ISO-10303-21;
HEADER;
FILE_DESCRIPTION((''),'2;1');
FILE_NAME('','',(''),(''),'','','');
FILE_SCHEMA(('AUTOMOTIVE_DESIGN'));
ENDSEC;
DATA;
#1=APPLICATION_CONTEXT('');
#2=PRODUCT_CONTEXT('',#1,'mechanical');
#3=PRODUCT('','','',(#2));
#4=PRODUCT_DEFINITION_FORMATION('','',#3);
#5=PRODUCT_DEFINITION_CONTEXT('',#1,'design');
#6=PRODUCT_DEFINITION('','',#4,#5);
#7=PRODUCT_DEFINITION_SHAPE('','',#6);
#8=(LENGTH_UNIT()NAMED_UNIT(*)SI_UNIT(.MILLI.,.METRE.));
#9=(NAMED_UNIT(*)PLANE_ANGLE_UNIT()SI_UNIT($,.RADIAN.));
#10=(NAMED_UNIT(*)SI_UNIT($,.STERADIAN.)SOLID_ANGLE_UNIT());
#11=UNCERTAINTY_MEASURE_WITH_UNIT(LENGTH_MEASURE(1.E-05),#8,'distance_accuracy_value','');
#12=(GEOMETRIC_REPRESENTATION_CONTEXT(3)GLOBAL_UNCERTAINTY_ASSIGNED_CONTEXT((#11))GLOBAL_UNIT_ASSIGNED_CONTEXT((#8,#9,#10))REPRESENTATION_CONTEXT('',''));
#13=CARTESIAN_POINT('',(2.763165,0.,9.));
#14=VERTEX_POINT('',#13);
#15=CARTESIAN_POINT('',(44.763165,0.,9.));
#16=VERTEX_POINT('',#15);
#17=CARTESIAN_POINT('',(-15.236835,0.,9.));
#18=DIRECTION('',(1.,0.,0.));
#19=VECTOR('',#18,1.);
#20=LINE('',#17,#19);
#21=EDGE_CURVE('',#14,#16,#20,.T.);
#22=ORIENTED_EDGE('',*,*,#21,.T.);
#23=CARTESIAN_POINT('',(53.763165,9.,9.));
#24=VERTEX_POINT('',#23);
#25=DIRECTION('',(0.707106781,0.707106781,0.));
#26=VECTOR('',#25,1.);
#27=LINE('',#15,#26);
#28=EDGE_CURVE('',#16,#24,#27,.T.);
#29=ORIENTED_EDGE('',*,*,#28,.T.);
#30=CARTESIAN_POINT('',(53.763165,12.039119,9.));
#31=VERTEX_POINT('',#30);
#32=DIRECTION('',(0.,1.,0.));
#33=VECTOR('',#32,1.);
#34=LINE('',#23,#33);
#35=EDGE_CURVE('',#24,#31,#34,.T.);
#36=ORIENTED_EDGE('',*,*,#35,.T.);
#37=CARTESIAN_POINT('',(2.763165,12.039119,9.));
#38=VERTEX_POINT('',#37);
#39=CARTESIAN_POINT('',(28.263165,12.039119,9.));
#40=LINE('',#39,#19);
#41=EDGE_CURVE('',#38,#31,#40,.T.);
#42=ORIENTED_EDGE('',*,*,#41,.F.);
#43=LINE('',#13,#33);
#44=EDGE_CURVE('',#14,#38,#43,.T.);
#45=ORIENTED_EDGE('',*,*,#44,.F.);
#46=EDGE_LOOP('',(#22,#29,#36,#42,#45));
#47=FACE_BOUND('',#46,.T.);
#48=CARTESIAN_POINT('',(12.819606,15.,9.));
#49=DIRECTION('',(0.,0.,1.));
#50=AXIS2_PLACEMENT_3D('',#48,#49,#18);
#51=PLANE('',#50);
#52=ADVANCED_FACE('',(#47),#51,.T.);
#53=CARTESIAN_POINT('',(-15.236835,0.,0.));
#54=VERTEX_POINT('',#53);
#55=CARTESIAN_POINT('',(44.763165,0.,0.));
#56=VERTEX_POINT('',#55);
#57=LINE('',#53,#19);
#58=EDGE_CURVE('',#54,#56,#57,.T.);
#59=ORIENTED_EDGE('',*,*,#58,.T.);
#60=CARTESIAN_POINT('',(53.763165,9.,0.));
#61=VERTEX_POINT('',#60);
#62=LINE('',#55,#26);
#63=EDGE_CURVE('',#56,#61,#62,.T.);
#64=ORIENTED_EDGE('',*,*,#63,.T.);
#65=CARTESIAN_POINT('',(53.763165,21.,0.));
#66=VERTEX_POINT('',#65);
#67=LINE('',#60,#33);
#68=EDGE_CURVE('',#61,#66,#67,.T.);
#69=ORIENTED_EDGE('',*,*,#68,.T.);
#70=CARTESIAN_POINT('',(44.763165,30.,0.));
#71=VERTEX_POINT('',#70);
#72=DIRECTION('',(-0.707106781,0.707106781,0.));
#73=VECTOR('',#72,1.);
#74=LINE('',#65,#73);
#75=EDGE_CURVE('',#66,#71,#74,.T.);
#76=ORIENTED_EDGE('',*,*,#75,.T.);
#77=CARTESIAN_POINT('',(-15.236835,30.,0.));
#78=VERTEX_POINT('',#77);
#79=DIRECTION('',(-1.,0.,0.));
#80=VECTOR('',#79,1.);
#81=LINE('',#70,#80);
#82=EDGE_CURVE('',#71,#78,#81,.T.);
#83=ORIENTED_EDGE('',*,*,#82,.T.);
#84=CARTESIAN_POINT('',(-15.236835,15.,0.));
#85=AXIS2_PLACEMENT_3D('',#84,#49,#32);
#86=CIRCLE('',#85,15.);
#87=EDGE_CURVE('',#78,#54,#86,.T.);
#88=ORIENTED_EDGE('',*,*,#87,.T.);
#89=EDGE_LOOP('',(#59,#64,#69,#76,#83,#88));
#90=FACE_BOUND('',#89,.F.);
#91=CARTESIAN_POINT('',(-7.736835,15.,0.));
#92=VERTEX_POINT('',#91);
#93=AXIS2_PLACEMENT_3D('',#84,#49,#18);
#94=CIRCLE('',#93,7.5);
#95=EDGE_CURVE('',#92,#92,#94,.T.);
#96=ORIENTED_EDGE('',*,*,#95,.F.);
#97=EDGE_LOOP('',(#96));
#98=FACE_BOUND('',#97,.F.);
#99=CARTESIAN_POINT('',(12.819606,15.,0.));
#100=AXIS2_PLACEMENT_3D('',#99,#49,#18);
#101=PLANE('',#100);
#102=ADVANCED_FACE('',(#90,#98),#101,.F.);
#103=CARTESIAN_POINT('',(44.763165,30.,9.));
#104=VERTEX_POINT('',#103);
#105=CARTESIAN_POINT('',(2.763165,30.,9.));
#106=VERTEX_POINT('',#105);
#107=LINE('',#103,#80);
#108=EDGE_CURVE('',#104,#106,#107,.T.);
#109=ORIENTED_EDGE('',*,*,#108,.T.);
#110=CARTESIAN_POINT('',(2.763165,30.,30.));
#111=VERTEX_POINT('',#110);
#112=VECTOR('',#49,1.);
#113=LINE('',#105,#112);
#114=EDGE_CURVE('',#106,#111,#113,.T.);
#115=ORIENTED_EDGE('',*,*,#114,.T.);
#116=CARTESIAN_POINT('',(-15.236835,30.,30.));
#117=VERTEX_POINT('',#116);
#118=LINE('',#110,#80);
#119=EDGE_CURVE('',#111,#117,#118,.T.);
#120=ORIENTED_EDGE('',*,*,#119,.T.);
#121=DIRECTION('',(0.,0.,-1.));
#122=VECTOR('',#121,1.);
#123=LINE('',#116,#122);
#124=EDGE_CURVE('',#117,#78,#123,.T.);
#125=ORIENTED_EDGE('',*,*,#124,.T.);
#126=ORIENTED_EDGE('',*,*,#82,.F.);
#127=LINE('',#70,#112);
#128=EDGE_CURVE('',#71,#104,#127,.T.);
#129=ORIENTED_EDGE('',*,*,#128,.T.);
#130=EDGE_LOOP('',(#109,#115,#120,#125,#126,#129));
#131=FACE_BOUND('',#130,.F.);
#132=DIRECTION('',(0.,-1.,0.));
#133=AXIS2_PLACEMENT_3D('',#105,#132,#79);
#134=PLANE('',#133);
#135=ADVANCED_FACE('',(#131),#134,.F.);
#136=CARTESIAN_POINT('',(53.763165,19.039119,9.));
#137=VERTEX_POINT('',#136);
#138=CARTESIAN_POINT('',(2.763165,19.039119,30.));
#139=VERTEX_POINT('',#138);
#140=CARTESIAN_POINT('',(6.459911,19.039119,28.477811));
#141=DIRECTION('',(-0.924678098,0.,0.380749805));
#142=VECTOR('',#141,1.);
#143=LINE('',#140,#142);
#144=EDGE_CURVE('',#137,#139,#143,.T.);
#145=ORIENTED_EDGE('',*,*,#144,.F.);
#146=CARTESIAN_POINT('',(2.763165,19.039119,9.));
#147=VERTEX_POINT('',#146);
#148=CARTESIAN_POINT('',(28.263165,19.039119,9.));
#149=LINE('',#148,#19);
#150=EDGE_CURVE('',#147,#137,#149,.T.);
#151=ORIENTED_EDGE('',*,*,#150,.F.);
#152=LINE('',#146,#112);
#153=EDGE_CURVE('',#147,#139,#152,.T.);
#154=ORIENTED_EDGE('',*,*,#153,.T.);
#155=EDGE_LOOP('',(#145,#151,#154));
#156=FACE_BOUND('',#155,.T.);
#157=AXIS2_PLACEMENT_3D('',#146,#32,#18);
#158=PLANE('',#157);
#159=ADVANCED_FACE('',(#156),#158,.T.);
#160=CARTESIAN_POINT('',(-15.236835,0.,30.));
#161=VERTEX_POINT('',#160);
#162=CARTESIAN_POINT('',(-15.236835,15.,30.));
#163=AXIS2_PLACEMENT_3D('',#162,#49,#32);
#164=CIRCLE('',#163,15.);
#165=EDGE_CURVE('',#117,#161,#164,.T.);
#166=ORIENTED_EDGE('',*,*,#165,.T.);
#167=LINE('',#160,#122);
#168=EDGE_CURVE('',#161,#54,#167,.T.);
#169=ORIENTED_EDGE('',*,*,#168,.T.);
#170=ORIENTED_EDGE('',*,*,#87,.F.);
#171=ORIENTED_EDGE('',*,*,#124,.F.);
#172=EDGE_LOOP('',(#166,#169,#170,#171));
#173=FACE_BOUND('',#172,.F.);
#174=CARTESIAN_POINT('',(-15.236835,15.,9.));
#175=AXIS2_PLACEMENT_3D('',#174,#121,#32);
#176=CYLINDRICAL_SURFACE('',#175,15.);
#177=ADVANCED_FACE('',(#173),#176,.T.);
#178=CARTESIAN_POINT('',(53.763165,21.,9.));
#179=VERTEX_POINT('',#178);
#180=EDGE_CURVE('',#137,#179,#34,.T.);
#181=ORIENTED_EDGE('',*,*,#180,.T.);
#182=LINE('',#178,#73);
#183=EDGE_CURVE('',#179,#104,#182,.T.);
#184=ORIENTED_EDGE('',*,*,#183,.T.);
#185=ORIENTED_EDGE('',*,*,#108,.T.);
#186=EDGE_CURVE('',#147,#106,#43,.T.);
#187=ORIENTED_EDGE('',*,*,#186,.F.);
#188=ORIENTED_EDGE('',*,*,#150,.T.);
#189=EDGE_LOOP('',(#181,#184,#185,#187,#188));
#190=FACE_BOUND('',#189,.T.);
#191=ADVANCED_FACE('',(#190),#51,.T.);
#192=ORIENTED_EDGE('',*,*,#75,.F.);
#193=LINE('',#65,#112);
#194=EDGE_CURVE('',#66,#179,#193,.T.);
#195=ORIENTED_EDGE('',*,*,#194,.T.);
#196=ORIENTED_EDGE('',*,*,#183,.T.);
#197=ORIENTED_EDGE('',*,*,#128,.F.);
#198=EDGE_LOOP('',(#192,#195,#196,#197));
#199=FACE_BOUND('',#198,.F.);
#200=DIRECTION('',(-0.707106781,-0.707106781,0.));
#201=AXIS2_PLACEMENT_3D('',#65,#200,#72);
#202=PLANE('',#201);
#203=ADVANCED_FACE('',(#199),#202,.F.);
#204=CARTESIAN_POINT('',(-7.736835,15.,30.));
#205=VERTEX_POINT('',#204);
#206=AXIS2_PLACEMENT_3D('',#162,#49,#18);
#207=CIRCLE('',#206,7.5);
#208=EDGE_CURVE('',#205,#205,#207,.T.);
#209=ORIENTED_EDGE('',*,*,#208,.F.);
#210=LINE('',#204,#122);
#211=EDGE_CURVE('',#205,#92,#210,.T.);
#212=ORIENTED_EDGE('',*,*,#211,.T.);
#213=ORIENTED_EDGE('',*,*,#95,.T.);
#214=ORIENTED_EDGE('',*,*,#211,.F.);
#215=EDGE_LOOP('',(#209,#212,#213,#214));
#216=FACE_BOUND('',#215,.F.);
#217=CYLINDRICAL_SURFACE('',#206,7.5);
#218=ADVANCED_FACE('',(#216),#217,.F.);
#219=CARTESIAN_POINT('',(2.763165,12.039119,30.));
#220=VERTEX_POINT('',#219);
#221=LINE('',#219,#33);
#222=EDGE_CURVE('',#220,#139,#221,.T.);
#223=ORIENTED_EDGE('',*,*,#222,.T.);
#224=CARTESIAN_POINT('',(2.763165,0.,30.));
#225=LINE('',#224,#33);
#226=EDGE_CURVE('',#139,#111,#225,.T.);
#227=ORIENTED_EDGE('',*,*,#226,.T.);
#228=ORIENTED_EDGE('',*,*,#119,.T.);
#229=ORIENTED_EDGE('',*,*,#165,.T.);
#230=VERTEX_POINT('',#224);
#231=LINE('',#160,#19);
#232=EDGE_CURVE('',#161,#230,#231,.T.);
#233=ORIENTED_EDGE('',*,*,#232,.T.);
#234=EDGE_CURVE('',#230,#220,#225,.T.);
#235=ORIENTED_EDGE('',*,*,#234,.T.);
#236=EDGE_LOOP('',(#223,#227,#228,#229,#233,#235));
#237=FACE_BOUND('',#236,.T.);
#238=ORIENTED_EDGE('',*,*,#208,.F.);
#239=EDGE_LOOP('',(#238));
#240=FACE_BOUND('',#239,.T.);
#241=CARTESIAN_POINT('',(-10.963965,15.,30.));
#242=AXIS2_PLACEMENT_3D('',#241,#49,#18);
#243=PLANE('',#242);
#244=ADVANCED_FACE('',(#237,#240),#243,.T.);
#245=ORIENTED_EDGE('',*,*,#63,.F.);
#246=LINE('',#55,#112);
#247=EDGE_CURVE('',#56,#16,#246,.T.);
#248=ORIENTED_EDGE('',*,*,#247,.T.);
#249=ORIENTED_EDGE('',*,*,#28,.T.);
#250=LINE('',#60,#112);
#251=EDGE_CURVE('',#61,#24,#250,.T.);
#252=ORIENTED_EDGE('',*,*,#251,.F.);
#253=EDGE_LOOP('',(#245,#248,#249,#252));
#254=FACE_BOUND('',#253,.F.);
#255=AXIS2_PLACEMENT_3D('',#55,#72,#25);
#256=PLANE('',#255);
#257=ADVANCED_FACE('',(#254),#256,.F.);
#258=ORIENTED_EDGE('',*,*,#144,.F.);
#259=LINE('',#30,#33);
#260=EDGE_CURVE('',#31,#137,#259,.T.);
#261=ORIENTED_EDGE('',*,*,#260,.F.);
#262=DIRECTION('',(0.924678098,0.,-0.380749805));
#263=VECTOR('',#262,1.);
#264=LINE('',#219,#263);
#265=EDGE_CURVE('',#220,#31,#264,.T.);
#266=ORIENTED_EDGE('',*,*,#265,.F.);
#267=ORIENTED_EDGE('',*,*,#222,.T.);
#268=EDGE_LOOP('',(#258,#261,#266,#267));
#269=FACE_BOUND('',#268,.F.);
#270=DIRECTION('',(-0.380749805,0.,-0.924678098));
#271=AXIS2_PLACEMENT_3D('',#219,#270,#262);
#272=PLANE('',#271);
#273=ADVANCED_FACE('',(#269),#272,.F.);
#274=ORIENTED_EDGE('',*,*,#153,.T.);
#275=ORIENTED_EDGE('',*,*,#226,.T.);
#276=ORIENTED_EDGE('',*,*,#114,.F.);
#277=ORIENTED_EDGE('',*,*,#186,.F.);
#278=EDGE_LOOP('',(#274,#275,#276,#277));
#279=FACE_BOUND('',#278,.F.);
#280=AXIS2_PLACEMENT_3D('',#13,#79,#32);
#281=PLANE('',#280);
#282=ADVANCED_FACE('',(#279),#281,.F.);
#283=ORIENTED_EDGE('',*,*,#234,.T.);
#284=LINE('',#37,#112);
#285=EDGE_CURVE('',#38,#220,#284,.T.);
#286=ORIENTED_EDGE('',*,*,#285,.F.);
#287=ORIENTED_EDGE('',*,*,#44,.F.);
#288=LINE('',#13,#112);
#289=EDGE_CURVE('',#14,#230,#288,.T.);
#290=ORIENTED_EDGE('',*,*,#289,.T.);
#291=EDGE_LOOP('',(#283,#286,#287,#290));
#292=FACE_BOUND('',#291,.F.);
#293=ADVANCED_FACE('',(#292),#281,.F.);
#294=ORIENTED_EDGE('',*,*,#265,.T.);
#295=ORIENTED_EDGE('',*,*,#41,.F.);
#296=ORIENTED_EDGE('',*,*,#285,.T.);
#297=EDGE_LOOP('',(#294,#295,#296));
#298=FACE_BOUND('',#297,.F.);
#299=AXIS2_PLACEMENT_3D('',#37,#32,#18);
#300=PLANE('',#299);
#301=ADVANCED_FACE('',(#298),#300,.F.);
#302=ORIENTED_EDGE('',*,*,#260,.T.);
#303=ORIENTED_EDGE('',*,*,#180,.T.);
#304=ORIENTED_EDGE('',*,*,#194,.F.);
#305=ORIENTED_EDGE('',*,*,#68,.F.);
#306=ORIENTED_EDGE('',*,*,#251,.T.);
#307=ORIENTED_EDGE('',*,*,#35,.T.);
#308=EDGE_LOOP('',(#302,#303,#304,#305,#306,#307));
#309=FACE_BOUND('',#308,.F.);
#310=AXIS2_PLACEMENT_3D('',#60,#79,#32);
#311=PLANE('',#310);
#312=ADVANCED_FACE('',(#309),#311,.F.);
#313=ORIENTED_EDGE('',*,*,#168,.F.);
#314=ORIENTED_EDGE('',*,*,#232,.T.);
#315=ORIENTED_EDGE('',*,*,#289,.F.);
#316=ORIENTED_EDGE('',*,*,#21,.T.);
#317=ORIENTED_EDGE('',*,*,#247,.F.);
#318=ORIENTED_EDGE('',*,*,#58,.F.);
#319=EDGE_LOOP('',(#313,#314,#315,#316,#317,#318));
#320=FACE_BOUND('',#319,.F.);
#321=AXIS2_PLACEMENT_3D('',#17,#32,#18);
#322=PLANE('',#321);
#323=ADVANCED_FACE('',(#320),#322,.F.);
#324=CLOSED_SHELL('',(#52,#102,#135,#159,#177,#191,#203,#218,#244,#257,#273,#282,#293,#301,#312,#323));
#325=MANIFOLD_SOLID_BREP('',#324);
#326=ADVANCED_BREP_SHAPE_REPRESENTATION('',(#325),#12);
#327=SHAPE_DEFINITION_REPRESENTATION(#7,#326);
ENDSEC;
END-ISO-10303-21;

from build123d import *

# Parameters (mm, degrees)
F1_DEPTH = 9
F3_DEPTH = 21
F4_R     = 7.5
F5_DEPTH = 70.3
F6_W     = 51
F6_H     = 7
F7_DEPTH = 21
F9_DEPTH = 25


with BuildPart() as f1:
    # F0 (on Top) → F1 (new body)
    with BuildSketch(Plane.XY):
        with BuildLine():
            Line((44.763165, 30), (-15.236835, 30))
            ThreePointArc((-15.236835, 30), (-30.236835, 15), (-15.236835, 0))
            Line((-15.236835, 0), (44.763165, 0))
            Line((44.763165, 0), (53.763165, 9))
            Line((53.763165, 9), (53.763165, 21))
            Line((53.763165, 21), (44.763165, 30))
        make_face()
    extrude(amount=F1_DEPTH)

    # F2 (on face) → F3 (join)
    with BuildSketch(Plane.XY.offset(9)):
        with BuildLine():
            Line((-15.236835, 0), (2.763165, 0))
            Line((2.763165, 0), (2.763165, 30))
            Line((2.763165, 30), (-15.236835, 30))
            ThreePointArc((-15.236835, 30), (-30.236835, 15), (-15.236835, 0))
        make_face()
    extrude(amount=F3_DEPTH)

    # F4 (on face) → F5 (cut)
    with BuildSketch(Plane.XY.offset(30)):
        with Locations((-15.236835, 15)):
            Circle(F4_R)
    extrude(amount=-F5_DEPTH, mode=Mode.SUBTRACT)

    # F6 (on face) → F7 (join)
    with BuildSketch(Plane.XY.offset(9)):
        with Locations((28.263165, 15.539119)):
            Rectangle(F6_W, F6_H)
    extrude(amount=F7_DEPTH)

    # F8 (on face) → F9 (cut)
    with BuildSketch(Plane.XZ.offset(-12.039119)):
        Polygon((53.763165, 30), (2.763165, 30), (53.763165, 9), align=None)
    extrude(amount=-F9_DEPTH, mode=Mode.SUBTRACT)


solid = f1.part
